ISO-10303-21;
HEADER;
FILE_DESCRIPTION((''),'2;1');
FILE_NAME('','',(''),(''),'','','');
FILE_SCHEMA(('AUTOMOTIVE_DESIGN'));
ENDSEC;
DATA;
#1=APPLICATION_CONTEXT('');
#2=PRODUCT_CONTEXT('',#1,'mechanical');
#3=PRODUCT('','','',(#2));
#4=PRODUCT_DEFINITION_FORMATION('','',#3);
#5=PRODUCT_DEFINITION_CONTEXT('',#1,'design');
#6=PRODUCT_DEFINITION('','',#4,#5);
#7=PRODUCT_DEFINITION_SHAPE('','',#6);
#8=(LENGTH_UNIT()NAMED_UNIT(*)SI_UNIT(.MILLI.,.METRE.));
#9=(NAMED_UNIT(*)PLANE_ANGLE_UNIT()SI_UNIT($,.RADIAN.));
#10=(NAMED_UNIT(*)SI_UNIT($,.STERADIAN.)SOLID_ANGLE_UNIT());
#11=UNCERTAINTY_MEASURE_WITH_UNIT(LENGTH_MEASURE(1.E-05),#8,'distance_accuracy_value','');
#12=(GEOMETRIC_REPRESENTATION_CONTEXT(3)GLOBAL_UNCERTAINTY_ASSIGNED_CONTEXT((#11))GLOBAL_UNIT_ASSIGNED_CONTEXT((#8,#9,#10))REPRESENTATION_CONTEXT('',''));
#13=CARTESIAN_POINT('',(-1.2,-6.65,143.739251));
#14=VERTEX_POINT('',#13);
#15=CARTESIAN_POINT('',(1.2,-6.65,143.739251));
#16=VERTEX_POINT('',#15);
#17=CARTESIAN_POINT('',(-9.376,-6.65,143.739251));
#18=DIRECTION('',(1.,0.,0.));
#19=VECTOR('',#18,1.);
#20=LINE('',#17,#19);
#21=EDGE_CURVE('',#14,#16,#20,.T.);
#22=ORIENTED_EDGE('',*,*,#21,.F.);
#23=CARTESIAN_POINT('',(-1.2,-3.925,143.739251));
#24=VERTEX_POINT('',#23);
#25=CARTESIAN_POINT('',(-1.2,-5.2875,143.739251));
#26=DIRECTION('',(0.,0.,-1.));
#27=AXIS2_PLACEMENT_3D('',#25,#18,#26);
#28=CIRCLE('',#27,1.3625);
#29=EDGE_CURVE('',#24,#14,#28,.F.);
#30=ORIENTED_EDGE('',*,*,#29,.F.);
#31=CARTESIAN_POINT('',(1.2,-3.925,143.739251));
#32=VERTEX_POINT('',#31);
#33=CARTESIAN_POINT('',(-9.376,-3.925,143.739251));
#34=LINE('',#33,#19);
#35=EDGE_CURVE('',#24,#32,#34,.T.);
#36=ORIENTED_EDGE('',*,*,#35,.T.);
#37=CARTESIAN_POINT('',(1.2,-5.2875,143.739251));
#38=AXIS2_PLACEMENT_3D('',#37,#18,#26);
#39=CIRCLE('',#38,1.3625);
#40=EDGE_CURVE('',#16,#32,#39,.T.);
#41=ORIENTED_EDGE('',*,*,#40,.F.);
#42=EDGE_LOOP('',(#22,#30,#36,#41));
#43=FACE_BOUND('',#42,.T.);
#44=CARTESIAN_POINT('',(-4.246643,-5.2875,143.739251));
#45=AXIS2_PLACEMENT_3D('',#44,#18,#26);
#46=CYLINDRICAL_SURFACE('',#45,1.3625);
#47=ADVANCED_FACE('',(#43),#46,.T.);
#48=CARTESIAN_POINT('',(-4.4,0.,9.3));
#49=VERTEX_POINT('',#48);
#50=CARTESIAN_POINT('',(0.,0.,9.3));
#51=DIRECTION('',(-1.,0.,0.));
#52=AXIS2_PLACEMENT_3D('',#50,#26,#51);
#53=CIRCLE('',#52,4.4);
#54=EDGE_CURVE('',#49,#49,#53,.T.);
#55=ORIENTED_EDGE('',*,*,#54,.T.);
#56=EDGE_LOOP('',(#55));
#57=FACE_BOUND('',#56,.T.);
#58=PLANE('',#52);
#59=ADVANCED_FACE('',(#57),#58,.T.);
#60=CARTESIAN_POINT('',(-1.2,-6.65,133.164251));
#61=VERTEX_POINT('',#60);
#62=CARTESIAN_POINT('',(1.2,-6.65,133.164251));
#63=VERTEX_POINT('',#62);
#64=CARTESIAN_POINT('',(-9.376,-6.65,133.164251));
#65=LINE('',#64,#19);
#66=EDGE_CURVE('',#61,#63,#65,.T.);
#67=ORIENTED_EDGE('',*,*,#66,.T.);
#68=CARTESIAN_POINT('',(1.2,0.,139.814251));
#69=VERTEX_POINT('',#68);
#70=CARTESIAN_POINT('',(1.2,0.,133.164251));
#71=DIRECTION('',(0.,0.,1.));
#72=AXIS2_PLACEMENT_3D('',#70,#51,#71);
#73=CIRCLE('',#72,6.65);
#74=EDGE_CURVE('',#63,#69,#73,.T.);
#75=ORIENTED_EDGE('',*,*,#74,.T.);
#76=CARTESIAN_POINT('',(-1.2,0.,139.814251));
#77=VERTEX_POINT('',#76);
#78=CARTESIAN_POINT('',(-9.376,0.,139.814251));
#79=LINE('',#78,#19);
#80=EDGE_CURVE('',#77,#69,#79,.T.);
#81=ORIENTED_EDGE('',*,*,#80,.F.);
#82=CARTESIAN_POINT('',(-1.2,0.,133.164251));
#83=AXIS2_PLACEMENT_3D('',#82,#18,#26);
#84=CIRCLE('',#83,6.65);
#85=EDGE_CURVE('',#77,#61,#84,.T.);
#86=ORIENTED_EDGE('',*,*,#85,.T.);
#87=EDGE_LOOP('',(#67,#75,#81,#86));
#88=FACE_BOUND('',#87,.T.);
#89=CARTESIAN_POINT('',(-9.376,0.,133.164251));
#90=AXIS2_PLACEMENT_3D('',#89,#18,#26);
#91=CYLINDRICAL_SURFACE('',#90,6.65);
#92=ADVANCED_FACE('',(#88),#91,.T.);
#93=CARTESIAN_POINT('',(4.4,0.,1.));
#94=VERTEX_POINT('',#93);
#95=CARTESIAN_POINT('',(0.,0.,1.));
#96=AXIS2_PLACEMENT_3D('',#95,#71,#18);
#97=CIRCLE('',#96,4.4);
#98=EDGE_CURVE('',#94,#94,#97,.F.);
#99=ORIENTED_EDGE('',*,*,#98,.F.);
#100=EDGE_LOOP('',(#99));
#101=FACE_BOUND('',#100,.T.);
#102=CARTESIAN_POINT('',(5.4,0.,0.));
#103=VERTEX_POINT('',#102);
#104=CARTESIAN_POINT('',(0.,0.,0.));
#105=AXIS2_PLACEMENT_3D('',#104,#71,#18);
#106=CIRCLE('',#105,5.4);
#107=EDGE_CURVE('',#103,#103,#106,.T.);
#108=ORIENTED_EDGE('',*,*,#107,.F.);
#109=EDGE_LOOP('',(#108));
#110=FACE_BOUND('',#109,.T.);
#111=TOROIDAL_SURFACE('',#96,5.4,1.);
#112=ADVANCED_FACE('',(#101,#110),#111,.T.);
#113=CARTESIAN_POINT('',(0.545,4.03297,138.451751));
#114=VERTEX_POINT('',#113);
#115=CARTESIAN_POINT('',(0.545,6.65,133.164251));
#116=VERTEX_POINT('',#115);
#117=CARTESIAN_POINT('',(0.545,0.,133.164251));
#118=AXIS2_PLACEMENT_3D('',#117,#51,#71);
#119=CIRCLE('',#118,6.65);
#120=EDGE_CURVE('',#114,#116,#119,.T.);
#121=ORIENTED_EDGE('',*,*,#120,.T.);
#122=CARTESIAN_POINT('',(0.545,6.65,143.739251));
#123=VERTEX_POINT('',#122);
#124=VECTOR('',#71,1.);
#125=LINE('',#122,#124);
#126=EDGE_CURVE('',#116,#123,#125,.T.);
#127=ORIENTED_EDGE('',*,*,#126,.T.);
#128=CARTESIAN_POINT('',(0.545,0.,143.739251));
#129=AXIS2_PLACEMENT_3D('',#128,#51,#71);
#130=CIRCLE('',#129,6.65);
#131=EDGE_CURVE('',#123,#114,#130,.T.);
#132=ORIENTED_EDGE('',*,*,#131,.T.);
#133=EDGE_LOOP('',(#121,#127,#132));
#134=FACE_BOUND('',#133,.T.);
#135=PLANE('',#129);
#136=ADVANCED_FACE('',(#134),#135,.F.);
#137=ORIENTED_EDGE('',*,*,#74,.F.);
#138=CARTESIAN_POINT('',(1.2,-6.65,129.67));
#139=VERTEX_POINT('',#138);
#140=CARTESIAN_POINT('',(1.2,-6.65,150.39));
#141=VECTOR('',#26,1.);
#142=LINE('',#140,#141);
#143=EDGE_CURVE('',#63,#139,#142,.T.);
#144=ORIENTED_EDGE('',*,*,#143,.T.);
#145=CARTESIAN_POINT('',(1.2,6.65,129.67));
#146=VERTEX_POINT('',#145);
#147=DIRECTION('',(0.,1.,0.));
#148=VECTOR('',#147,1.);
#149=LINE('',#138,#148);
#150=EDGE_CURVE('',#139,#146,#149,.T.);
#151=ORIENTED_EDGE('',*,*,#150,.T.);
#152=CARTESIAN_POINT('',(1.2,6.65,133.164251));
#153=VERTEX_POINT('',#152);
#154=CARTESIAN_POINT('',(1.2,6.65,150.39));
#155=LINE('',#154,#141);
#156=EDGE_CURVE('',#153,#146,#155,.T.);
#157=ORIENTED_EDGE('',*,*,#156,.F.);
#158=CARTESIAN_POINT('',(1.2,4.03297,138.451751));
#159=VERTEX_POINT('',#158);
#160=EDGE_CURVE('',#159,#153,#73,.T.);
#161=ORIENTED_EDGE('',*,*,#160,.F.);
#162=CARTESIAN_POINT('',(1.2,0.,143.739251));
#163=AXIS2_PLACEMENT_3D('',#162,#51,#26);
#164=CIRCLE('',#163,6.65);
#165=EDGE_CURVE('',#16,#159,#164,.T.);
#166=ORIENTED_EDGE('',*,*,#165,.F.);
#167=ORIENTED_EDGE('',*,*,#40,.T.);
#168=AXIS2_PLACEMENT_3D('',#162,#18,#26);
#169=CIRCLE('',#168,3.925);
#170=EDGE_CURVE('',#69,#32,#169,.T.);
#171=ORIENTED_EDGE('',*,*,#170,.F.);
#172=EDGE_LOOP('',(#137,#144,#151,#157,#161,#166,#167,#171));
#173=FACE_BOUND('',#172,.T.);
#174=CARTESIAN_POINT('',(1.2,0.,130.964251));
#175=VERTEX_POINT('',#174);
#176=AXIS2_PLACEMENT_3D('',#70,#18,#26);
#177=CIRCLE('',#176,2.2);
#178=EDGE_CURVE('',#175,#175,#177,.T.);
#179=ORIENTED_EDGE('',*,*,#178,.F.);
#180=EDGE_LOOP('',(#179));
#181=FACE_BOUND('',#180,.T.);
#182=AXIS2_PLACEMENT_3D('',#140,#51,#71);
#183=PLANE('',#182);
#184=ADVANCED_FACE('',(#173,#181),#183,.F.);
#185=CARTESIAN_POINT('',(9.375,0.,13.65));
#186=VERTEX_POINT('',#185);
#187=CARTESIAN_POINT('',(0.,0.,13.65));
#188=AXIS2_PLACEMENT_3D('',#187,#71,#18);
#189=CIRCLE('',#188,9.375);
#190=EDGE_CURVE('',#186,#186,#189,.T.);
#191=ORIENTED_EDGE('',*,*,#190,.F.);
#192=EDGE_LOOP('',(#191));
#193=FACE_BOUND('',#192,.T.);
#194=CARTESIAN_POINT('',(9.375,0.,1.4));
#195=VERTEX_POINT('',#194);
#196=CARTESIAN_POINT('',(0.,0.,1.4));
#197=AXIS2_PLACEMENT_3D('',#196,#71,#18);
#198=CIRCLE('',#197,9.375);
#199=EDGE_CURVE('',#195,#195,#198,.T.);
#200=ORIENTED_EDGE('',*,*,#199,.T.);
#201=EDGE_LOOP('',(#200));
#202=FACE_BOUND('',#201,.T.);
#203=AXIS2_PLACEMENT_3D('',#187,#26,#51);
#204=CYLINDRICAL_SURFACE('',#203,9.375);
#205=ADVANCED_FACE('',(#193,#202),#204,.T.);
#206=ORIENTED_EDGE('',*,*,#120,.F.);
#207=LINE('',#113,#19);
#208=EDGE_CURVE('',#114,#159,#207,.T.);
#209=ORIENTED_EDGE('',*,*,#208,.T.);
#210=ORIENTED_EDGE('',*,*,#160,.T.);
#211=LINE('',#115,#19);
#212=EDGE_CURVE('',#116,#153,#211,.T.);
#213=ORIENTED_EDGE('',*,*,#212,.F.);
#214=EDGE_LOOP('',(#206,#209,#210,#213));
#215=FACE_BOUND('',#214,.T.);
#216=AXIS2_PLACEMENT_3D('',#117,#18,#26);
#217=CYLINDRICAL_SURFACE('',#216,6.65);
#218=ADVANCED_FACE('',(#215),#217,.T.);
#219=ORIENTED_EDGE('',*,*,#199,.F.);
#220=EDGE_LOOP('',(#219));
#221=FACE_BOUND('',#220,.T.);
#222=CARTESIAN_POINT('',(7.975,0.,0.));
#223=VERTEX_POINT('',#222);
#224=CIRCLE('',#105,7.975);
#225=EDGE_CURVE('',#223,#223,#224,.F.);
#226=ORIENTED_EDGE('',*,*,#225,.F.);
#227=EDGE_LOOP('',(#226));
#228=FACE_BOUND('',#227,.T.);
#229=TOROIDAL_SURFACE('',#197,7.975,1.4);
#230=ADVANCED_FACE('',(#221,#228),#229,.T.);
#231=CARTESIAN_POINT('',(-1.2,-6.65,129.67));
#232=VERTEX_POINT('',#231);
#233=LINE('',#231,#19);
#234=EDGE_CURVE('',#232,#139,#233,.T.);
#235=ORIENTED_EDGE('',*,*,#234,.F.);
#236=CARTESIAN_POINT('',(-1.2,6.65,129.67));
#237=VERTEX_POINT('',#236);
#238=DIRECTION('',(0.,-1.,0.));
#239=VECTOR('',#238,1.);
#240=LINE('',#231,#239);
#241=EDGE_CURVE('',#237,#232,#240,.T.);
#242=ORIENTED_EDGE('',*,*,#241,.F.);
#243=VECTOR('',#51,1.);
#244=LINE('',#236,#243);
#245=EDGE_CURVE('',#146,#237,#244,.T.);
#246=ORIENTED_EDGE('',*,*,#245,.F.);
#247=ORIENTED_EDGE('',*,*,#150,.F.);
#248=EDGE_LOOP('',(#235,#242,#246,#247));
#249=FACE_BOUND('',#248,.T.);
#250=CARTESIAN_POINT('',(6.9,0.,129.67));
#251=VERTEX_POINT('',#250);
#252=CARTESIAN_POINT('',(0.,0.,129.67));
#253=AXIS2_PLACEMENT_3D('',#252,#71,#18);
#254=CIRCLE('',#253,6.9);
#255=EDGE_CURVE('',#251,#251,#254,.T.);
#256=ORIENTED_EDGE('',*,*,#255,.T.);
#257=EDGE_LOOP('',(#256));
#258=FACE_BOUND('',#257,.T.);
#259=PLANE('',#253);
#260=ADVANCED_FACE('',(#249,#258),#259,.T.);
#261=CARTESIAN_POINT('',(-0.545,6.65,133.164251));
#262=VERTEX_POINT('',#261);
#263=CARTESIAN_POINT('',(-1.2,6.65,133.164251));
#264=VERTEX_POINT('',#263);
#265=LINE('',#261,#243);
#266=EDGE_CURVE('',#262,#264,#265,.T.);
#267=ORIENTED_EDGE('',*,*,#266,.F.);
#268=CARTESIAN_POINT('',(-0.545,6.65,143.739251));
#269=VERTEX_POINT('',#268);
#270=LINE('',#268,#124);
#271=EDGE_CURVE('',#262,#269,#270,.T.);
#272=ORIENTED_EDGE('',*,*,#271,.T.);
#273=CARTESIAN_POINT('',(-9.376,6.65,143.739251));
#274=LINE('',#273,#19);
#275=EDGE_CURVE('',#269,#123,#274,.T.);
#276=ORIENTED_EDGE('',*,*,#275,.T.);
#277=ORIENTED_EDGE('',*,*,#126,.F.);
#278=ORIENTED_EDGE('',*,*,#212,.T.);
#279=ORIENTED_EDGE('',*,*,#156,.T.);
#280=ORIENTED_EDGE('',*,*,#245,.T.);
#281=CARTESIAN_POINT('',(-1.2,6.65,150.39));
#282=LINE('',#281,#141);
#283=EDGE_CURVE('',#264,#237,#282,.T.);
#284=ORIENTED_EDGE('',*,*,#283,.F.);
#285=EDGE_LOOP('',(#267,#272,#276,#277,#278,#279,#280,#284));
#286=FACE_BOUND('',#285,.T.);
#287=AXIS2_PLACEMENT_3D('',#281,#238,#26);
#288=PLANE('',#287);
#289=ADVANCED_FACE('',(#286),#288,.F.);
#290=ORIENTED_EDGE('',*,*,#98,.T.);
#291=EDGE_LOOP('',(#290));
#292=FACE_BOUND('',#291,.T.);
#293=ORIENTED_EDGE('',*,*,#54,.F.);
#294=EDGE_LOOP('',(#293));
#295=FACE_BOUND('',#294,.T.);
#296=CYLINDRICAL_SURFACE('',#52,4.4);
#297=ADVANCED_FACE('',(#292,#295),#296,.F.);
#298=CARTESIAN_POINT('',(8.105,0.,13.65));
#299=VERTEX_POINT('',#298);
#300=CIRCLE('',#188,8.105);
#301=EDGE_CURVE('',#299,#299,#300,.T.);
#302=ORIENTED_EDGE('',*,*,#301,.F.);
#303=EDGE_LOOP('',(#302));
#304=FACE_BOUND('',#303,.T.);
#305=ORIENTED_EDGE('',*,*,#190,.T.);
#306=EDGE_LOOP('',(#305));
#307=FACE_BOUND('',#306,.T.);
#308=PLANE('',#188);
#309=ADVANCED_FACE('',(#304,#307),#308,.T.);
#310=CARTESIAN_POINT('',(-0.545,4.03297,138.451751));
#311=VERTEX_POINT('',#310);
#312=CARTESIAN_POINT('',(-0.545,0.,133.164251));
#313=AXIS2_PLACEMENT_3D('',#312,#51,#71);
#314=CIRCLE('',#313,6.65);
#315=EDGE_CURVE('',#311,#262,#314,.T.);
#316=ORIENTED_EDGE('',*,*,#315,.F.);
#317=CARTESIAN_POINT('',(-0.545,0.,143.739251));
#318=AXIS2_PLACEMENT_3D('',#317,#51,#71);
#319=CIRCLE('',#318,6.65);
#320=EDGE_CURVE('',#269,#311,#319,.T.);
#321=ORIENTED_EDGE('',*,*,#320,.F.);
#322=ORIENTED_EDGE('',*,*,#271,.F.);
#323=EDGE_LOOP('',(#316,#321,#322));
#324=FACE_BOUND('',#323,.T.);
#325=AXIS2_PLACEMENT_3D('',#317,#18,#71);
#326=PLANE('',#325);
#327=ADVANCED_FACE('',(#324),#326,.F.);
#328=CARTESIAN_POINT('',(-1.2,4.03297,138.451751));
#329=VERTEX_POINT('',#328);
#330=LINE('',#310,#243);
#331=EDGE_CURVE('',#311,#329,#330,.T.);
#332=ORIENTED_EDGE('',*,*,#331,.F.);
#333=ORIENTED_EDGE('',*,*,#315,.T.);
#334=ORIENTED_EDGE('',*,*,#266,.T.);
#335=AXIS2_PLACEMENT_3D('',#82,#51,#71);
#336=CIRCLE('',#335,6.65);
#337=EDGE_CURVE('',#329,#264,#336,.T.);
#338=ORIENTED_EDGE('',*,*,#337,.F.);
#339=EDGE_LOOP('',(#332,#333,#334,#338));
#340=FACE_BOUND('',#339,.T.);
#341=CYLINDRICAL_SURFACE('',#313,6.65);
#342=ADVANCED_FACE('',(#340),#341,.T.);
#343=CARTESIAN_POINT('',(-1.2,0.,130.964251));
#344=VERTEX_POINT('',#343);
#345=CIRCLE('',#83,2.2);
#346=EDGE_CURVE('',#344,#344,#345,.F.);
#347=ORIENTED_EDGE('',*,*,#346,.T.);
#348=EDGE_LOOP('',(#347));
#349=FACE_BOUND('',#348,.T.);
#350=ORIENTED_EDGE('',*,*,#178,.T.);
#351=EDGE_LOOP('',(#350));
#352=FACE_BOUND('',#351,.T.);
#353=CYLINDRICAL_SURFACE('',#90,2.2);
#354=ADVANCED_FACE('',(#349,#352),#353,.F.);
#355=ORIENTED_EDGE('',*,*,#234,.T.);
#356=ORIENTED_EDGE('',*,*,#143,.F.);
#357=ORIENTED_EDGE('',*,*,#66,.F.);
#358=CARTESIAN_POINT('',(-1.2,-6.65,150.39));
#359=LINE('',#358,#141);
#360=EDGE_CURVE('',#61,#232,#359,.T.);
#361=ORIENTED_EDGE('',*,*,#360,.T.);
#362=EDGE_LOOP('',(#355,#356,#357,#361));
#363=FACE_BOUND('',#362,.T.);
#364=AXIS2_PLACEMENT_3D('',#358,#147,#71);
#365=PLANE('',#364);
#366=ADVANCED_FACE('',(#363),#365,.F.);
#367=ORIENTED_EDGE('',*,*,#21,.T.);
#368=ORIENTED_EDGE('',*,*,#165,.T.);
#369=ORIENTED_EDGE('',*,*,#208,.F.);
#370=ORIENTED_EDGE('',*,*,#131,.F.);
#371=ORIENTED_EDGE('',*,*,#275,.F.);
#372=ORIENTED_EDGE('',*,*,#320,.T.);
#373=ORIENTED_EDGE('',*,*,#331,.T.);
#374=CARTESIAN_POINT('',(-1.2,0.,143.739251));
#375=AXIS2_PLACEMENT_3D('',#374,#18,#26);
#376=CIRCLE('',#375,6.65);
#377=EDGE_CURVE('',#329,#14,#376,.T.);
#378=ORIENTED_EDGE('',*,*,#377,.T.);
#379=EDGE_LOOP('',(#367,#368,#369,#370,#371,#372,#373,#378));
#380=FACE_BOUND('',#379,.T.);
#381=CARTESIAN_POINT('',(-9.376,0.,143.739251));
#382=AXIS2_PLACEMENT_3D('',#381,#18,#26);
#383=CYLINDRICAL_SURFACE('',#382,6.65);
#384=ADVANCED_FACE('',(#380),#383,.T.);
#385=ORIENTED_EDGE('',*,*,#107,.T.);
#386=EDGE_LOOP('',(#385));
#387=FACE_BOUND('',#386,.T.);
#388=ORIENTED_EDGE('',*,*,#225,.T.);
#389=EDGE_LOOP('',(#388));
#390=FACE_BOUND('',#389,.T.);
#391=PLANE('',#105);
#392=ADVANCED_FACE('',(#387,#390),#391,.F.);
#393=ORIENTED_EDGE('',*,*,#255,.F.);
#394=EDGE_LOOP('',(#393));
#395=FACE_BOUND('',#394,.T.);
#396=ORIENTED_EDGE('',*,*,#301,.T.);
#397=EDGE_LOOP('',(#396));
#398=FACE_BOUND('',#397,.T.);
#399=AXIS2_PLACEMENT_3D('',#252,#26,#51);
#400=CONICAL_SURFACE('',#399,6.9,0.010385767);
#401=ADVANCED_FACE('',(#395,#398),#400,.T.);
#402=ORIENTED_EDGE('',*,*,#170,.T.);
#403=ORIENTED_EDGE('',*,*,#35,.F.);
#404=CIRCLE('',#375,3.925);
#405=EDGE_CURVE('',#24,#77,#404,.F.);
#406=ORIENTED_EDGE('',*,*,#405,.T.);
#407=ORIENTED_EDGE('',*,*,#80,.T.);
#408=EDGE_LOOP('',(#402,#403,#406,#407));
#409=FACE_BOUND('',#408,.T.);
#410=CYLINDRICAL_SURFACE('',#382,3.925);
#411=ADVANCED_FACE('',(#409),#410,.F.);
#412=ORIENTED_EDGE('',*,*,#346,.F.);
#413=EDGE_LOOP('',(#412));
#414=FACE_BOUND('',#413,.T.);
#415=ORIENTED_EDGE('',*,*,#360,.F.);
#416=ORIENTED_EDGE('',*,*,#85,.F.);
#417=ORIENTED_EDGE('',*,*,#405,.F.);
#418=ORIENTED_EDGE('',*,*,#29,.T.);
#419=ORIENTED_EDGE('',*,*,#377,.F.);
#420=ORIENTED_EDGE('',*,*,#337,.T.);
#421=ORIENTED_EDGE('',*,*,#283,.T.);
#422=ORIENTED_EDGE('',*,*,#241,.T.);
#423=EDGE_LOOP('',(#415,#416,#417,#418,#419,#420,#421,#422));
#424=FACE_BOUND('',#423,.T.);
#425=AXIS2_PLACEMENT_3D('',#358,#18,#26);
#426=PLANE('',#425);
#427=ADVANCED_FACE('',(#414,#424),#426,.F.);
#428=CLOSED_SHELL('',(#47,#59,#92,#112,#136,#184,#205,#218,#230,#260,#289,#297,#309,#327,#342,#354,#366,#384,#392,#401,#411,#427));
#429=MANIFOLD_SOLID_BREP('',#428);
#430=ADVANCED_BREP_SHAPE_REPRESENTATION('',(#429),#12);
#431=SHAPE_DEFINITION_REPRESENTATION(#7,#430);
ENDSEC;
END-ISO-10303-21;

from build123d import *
from build123d.topology import SkipClean

# Parameters (mm, degrees)
SKETCH1_R           = 9.375
END_CAP_MAIN_DEPTH  = 13.65
FILLET1_R           = 1.4
SKETCH2_R           = 4.4
END_CAP_CUT_DEPTH   = 9.3
FILLET2_R           = 1
SKETCH16_R          = 8.105
CUT_EXTRUDE12_DEPTH = 2.5
SKETCH5_3_R         = 8.105
BOSS_EXTRUDE4_DEPTH = 2.5
SKETCH4_R           = 6.9
SKETCH5_R           = 8.105
SKETCH6_W           = 2.4
SKETCH6_H           = 13.3
BOSS_EXTRUDE2_DEPTH = 20.72
CUT_EXTRUDE2_REACH  = 153.053
CUT_EXTRUDE4_DEPTH  = 0.655
CUT_EXTRUDE9_REACH  = 153.052
CUT_EXTRUDE10_REACH = 153.052
BOSS_EXTRUDE3_DEPTH = 2.4
CUT_EXTRUDE11_REACH = 153.052
SKETCH15_R          = 2.2


with BuildPart() as part:
    # Sketch1 → End Cap Main (new body)
    with BuildSketch(Plane.XY):
        Circle(SKETCH1_R)
    extrude(amount=END_CAP_MAIN_DEPTH)

    # Fillet1
    fillet1_edges = [part.edges().sort_by_distance(p)[0] for p in [
        (-9.375, 0, 0),
    ]]
    fillet(fillet1_edges, radius=FILLET1_R)

    # Sketch2 → End Cap cut (cut)
    with BuildSketch(Plane(origin=(0, 0, 0), x_dir=(-1, 0, 0), z_dir=(0, 0, -1))):
        Circle(SKETCH2_R)
    extrude(amount=-END_CAP_CUT_DEPTH, mode=Mode.SUBTRACT)

    # Fillet2
    fillet2_edges = [part.edges().sort_by_distance(p)[0] for p in [
        (4.4, 0, 0),
    ]]
    fillet(fillet2_edges, radius=FILLET2_R)

    # Sketch16 → Cut-Extrude12 (cut)
    with BuildSketch(Plane.XY.offset(13.65)):
        Circle(SKETCH16_R)
    extrude(amount=-CUT_EXTRUDE12_DEPTH, mode=Mode.SUBTRACT)

    # Sketch5<3> → Boss-Extrude4 (add)
    with BuildSketch(Plane.XY.offset(13.65)):
        Circle(SKETCH5_3_R)
    extrude(amount=-BOSS_EXTRUDE4_DEPTH)

    # Sketch4 → Loft1 section 0
    with BuildSketch(Plane.XY.offset(129.67)):
        Circle(SKETCH4_R)
    # Sketch5 → Loft1 section 1
    with BuildSketch(Plane.XY.offset(13.65)):
        Circle(SKETCH5_R)
    loft()

    # Sketch6 → Boss-Extrude2 (add)
    with BuildSketch(Plane.XY.offset(129.67)):
        Rectangle(SKETCH6_W, SKETCH6_H)
    extrude(amount=BOSS_EXTRUDE2_DEPTH)

    # Sketch9 → Cut-Extrude2 (cut, up to next)
    with BuildSketch(Plane(origin=(1.2, 0, 0), x_dir=(0, 0, -1), z_dir=(1, 0, 0)), mode=Mode.PRIVATE) as cut_extrude2_sk1:
        with BuildLine():
            Line((-150.39, 6.65), (-150.39, -6.65))
            Line((-150.39, -6.65), (-143.73925134, -6.65))
            ThreePointArc((-143.73925134, -6.65), (-150.38925134, 0), (-143.73925134, 6.65))
            Line((-143.73925134, 6.65), (-150.39, 6.65))
        make_face()
    cut_extrude2_tool1 = extrude(cut_extrude2_sk1.sketch, amount=-CUT_EXTRUDE2_REACH, mode=Mode.PRIVATE) & part.part
    add(cut_extrude2_tool1.solids().sort_by_distance((1.2, 6.501298, 147.064626))[0], mode=Mode.SUBTRACT)

    # Sketch10 → Cut-Extrude4 (cut)
    with SkipClean():  # the faces are left unmerged after this step: merging them gives an invalid solid
        with BuildSketch(Plane(origin=(1.2, 0, 0), x_dir=(0, 0, -1), z_dir=(1, 0, 0))):
            with BuildLine():
                Line((-143.73925134, 6.65), (-133.16425134, 6.65))
                ThreePointArc((-133.16425134, 6.65), (-136.114103218, 5.959939085), (-138.45175134, 4.032969594))
                ThreePointArc((-138.45175134, 4.032969594), (-140.789399463, 5.959939085), (-143.73925134, 6.65))
            make_face()
        cut_extrude4 = extrude(amount=-CUT_EXTRUDE4_DEPTH, mode=Mode.SUBTRACT)

    # Mirror1: Cut-Extrude4 across plane
    with SkipClean():  # the faces are left unmerged after this step: merging them gives an invalid solid
        add(cut_extrude4.mirror(Plane(origin=(0, 0, 0), x_dir=(0, 0, 1), z_dir=(1, 0, 0))), mode=Mode.SUBTRACT)

    # Sketch12 → Cut-Extrude9 (cut, up to next)
    with BuildSketch(Plane(origin=(1.2, 0, 0), x_dir=(0, 0, -1), z_dir=(1, 0, 0)), mode=Mode.PRIVATE) as cut_extrude9_sk1:
        with BuildLine():
            Line((-143.73925134, -3.925), (-143.73925134, -6.65))
            Line((-143.73925134, -6.65), (-139.81425134, -6.65))
            Line((-139.81425134, -6.65), (-139.81425134, 0))
            ThreePointArc((-139.81425134, 0), (-146.514645456, 2.775394116), (-143.73925134, -3.925))
        make_face()
    cut_extrude9_tool1 = extrude(cut_extrude9_sk1.sketch, amount=-CUT_EXTRUDE9_REACH, mode=Mode.PRIVATE) & part.part
    add(cut_extrude9_tool1.solids().sort_by_distance((1.2, -1.067806, 143.241366))[0], mode=Mode.SUBTRACT)

    # Sketch13 → Cut-Extrude10 (cut, up to next)
    with BuildSketch(Plane(origin=(1.2, 0, 0), x_dir=(0, 0, -1), z_dir=(1, 0, 0)), mode=Mode.PRIVATE) as cut_extrude10_sk1:
        with BuildLine():
            Line((-139.81425134, 0), (-139.81425134, -6.65))
            Line((-139.81425134, -6.65), (-133.16425134, -6.65))
            ThreePointArc((-133.16425134, -6.65), (-137.866511435, -4.702260095), (-139.81425134, 0))
        make_face()
    cut_extrude10_tool1 = extrude(cut_extrude10_sk1.sketch, amount=-CUT_EXTRUDE10_REACH, mode=Mode.PRIVATE) & part.part
    add(cut_extrude10_tool1.solids().sort_by_distance((1.2, -5.164603, 138.328855))[0], mode=Mode.SUBTRACT)

    # Sketch14 → Boss-Extrude3 (add)
    with SkipClean():  # the faces are left unmerged after this step: merging them gives an invalid solid
        with BuildSketch(Plane(origin=(1.2, 0, 0), x_dir=(0, 0, -1), z_dir=(1, 0, 0))):
            with BuildLine():
                Line((-143.73925134, -3.925), (-143.73925134, -6.65))
                ThreePointArc((-143.73925134, -6.65), (-142.37675134, -5.2875), (-143.73925134, -3.925))
            make_face()
        extrude(amount=-BOSS_EXTRUDE3_DEPTH)

    # Sketch15 → Cut-Extrude11 (cut, up to next)
    with BuildSketch(Plane(origin=(1.2, 0, 0), x_dir=(0, 0, -1), z_dir=(1, 0, 0)), mode=Mode.PRIVATE) as cut_extrude11_sk1:
        with Locations((-133.16425134, 0)):
            Circle(SKETCH15_R)
    cut_extrude11_tool1 = extrude(cut_extrude11_sk1.sketch, amount=-CUT_EXTRUDE11_REACH, mode=Mode.PRIVATE) & part.part
    add(cut_extrude11_tool1.solids().sort_by_distance((1.2, 0, 133.164251))[0], mode=Mode.SUBTRACT)


solid = part.part
